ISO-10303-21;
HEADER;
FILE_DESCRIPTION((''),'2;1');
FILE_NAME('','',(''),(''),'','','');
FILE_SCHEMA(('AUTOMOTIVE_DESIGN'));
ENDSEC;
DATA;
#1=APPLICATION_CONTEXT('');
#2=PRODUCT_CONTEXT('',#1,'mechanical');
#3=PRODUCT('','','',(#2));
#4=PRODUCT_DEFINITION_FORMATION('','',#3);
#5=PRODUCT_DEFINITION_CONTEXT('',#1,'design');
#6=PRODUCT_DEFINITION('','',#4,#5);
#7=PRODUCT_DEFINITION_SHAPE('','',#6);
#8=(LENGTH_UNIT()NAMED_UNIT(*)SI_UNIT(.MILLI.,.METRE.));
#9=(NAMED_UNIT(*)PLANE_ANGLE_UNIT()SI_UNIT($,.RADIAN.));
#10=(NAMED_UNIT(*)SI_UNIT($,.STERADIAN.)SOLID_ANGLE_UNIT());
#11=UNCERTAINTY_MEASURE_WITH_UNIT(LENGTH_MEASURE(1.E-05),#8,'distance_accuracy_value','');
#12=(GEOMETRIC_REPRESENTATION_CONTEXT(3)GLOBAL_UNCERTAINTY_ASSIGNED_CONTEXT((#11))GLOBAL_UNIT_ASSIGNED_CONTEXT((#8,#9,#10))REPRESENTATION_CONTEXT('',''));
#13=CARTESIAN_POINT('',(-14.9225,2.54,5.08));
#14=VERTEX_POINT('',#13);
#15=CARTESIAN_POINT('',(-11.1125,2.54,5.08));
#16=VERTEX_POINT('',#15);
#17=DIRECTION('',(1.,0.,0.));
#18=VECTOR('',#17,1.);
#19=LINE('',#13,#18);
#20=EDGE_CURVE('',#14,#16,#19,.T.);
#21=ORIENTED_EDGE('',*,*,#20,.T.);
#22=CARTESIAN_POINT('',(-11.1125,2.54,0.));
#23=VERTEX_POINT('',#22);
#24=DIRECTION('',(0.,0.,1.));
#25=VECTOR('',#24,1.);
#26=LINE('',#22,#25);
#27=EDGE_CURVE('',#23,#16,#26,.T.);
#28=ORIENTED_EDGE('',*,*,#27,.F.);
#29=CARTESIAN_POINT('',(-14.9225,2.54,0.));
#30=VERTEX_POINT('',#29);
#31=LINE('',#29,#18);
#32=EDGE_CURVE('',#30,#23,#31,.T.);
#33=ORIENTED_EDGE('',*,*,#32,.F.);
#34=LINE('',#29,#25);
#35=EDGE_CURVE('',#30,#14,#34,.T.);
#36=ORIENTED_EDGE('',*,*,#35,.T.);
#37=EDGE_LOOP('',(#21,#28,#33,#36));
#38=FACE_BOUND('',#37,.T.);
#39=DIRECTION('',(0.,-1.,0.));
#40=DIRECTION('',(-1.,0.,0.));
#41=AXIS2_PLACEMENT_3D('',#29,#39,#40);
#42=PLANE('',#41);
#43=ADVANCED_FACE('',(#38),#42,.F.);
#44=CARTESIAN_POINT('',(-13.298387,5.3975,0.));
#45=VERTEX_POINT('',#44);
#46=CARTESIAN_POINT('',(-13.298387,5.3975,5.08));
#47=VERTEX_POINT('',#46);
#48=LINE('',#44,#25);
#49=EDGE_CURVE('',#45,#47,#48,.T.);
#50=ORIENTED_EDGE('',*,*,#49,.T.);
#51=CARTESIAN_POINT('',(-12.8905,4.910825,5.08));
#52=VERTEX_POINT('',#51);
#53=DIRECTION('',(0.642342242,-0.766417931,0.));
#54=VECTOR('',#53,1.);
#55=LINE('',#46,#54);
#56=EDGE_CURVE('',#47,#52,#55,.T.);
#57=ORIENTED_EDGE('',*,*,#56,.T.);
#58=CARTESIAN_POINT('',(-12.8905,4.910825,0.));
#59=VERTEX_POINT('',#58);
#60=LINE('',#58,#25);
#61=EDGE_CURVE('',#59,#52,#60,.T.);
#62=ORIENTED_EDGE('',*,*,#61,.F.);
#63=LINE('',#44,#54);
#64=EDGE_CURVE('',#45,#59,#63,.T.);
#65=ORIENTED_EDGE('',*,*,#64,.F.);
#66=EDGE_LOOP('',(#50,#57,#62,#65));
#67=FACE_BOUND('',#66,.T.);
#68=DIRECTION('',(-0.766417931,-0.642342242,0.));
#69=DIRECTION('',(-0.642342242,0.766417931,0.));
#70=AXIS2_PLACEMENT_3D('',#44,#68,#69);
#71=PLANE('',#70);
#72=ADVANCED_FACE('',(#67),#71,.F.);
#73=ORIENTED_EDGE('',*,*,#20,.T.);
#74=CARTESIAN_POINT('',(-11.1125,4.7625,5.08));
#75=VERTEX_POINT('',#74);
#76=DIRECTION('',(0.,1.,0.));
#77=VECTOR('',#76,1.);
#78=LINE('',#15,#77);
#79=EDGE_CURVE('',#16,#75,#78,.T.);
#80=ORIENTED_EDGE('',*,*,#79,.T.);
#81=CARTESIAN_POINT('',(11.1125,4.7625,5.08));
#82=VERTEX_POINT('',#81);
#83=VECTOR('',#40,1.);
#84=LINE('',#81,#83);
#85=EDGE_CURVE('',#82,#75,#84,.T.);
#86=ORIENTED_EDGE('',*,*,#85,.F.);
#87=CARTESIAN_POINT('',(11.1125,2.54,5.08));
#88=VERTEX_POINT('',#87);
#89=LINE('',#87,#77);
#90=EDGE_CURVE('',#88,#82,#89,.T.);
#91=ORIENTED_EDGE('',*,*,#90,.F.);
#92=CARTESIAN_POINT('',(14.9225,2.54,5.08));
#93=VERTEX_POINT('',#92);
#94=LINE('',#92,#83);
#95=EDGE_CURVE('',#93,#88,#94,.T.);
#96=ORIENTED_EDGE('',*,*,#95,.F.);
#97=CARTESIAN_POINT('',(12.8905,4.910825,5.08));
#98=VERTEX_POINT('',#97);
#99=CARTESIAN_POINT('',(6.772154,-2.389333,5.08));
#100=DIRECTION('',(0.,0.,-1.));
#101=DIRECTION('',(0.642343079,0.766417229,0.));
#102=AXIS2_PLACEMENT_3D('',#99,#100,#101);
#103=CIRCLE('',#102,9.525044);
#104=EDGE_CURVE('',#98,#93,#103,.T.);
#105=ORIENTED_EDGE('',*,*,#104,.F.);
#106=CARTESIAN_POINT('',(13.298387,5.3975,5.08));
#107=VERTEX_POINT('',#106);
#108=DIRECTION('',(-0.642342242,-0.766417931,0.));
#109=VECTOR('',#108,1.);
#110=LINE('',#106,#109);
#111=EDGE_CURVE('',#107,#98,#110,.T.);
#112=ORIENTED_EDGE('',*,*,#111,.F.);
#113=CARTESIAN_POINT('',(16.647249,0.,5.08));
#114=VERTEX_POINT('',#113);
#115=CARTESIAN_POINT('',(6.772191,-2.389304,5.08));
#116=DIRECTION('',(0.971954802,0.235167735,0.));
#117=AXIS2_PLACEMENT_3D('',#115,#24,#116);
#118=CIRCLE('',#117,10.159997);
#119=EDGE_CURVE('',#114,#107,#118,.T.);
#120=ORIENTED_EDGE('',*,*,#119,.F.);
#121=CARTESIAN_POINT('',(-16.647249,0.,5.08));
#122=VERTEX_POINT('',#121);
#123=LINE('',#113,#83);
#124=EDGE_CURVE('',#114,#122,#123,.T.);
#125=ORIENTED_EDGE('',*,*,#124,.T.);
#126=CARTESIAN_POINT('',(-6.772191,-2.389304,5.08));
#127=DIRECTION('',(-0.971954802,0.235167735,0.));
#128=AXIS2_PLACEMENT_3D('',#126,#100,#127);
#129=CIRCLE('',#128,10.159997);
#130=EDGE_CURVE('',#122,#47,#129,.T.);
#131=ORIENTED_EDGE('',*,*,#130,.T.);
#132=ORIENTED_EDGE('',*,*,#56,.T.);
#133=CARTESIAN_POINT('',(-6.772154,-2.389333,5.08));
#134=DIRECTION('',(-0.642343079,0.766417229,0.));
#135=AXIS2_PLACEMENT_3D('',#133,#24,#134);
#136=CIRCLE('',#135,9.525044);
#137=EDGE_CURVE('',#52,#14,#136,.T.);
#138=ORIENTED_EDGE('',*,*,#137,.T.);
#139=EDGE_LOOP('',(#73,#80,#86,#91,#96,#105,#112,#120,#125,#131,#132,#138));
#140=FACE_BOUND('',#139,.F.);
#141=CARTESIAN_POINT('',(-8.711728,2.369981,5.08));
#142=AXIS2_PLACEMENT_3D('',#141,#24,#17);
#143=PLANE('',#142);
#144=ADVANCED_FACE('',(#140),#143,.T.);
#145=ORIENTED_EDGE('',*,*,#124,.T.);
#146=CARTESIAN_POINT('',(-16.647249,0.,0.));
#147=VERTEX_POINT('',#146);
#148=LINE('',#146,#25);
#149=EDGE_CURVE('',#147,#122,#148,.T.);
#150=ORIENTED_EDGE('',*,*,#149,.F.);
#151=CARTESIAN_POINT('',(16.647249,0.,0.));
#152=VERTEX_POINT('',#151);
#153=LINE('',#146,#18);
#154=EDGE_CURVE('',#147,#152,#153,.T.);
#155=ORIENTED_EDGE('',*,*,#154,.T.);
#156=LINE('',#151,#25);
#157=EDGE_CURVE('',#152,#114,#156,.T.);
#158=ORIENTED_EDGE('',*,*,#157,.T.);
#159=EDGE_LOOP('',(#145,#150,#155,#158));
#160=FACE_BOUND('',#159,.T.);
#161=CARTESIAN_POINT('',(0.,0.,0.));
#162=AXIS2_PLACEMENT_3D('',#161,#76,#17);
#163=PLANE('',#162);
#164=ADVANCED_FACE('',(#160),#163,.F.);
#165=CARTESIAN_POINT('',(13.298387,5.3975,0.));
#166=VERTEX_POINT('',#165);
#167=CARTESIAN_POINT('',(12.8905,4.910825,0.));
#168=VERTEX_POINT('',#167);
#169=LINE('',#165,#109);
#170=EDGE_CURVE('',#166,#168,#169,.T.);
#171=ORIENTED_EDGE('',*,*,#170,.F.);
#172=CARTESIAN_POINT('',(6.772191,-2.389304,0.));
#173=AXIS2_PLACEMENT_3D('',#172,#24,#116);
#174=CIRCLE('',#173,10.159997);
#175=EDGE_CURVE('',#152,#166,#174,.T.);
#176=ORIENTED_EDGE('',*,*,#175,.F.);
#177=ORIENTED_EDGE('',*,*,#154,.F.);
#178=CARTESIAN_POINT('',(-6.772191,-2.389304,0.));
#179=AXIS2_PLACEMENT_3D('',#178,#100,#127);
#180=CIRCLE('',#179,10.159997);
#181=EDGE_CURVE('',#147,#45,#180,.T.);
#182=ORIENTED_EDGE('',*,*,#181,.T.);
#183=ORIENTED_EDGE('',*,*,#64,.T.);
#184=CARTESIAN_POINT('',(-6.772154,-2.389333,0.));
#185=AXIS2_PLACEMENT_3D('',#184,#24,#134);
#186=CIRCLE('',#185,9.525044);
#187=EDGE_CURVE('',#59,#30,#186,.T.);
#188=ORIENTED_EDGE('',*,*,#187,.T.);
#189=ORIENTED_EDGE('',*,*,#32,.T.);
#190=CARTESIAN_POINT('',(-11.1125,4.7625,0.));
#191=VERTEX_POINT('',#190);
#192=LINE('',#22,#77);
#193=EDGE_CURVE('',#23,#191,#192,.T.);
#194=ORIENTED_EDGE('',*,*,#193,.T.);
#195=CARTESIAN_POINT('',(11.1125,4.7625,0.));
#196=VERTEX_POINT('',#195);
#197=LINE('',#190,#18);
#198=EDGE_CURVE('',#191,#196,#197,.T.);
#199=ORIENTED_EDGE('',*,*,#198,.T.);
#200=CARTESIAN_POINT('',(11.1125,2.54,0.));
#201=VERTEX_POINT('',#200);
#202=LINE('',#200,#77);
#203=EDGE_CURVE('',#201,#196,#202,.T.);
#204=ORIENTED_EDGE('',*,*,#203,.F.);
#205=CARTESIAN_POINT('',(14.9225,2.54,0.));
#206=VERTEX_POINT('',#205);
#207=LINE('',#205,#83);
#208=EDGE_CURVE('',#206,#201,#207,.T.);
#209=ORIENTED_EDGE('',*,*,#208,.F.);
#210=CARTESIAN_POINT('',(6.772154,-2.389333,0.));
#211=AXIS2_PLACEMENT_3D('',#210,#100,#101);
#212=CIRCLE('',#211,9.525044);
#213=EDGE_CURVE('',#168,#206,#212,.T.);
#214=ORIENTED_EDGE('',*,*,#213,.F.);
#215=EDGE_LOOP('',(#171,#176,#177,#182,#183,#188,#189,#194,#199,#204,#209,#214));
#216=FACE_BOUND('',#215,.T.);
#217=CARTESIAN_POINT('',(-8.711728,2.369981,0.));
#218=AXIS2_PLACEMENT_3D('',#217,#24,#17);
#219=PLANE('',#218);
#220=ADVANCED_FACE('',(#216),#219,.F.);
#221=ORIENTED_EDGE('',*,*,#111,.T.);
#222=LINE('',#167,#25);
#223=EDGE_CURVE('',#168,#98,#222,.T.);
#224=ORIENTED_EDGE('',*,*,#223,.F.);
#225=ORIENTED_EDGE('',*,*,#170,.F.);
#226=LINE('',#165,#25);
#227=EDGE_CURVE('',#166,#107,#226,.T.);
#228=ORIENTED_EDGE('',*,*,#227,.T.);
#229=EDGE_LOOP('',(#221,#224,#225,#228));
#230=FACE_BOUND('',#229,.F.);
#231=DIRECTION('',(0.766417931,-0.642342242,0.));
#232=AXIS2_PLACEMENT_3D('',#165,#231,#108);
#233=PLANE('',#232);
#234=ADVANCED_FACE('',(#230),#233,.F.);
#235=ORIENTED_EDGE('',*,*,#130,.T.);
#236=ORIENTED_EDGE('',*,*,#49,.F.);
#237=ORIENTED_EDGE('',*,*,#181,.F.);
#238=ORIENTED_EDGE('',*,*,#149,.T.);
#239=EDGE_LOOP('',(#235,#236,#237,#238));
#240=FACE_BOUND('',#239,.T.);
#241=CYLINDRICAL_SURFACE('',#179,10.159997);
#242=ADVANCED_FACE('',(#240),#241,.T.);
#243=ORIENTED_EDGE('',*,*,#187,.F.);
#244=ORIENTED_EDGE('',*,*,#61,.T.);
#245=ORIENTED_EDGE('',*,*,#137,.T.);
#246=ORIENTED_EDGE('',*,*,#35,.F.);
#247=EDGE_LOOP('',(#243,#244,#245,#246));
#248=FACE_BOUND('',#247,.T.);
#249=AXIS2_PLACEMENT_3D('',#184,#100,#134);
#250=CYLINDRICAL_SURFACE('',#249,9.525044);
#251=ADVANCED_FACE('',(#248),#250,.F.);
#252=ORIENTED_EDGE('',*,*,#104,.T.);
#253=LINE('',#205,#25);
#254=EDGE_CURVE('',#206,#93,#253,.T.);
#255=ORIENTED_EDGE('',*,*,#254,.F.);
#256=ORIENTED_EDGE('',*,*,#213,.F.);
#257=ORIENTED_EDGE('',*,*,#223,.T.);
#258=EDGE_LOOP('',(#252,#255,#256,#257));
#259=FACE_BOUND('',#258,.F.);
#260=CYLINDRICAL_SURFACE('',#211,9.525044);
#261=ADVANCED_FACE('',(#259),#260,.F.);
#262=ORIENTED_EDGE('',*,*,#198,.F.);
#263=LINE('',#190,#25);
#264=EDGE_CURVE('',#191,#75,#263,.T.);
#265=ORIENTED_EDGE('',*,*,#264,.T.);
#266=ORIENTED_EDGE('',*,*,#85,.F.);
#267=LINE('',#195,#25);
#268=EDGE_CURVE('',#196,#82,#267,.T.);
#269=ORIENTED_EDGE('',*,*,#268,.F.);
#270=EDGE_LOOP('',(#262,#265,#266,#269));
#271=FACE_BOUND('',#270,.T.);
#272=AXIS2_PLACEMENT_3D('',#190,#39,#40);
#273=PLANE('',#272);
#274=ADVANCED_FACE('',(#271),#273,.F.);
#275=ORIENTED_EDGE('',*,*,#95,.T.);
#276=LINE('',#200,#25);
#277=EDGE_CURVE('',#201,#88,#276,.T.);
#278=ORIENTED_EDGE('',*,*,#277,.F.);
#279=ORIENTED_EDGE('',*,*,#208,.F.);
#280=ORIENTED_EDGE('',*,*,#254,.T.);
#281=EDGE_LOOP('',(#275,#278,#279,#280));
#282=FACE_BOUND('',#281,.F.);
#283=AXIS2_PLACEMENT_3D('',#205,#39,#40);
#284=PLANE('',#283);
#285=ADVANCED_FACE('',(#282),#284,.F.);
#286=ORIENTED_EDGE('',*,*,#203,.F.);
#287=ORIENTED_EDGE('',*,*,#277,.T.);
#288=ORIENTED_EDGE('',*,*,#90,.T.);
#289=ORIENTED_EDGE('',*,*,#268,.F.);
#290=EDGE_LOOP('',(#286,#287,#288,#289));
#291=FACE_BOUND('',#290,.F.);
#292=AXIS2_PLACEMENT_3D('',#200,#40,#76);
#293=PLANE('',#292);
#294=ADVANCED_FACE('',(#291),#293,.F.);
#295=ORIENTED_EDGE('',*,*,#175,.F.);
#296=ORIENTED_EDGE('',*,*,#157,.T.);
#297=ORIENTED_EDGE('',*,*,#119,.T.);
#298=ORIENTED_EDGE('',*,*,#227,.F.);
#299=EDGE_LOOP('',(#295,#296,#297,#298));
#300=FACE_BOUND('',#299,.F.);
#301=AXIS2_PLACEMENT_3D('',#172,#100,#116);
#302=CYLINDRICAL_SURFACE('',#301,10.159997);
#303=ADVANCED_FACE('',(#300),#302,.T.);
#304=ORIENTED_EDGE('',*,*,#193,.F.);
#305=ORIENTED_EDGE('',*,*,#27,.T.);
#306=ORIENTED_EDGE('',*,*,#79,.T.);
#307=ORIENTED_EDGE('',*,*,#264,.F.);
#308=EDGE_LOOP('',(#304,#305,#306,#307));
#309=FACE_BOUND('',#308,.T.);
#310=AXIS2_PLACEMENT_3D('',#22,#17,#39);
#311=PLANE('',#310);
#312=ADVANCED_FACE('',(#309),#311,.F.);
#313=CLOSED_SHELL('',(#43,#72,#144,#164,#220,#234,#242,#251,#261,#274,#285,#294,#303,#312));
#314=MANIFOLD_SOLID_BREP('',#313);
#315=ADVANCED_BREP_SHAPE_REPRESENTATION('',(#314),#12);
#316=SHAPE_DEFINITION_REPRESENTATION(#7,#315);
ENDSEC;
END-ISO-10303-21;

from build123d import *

# Parameters (mm, degrees)
F1_DEPTH = 5.08


with BuildPart() as f1:
    # F0 (on Top) → F1 (new body)
    with BuildSketch(Plane.XY):
        with BuildLine():
            Line((0, 4.7625), (0, 0))
            Line((0, 0), (16.647249, 0))
            ThreePointArc((16.647249, 0), (15.405472, 2.967188), (13.298387, 5.3975))
            Line((13.298387, 5.3975), (12.8905, 4.910825))
            ThreePointArc((12.8905, 4.910825), (14.004311, 3.809245), (14.9225, 2.54))
            Line((14.9225, 2.54), (11.1125, 2.54))
            Line((11.1125, 2.54), (11.1125, 4.7625))
            Line((11.1125, 4.7625), (0, 4.7625))
        make_face()
    extrude(amount=F1_DEPTH)

    # F2: F1 across face


with BuildPart() as f1_1:
    add(f1.part)
    add(f1.part.mirror(Plane(origin=(0, 2.38125, 2.54), x_dir=(0, -1, 0), z_dir=(-1, 0, 0))))


solid = f1_1.part
